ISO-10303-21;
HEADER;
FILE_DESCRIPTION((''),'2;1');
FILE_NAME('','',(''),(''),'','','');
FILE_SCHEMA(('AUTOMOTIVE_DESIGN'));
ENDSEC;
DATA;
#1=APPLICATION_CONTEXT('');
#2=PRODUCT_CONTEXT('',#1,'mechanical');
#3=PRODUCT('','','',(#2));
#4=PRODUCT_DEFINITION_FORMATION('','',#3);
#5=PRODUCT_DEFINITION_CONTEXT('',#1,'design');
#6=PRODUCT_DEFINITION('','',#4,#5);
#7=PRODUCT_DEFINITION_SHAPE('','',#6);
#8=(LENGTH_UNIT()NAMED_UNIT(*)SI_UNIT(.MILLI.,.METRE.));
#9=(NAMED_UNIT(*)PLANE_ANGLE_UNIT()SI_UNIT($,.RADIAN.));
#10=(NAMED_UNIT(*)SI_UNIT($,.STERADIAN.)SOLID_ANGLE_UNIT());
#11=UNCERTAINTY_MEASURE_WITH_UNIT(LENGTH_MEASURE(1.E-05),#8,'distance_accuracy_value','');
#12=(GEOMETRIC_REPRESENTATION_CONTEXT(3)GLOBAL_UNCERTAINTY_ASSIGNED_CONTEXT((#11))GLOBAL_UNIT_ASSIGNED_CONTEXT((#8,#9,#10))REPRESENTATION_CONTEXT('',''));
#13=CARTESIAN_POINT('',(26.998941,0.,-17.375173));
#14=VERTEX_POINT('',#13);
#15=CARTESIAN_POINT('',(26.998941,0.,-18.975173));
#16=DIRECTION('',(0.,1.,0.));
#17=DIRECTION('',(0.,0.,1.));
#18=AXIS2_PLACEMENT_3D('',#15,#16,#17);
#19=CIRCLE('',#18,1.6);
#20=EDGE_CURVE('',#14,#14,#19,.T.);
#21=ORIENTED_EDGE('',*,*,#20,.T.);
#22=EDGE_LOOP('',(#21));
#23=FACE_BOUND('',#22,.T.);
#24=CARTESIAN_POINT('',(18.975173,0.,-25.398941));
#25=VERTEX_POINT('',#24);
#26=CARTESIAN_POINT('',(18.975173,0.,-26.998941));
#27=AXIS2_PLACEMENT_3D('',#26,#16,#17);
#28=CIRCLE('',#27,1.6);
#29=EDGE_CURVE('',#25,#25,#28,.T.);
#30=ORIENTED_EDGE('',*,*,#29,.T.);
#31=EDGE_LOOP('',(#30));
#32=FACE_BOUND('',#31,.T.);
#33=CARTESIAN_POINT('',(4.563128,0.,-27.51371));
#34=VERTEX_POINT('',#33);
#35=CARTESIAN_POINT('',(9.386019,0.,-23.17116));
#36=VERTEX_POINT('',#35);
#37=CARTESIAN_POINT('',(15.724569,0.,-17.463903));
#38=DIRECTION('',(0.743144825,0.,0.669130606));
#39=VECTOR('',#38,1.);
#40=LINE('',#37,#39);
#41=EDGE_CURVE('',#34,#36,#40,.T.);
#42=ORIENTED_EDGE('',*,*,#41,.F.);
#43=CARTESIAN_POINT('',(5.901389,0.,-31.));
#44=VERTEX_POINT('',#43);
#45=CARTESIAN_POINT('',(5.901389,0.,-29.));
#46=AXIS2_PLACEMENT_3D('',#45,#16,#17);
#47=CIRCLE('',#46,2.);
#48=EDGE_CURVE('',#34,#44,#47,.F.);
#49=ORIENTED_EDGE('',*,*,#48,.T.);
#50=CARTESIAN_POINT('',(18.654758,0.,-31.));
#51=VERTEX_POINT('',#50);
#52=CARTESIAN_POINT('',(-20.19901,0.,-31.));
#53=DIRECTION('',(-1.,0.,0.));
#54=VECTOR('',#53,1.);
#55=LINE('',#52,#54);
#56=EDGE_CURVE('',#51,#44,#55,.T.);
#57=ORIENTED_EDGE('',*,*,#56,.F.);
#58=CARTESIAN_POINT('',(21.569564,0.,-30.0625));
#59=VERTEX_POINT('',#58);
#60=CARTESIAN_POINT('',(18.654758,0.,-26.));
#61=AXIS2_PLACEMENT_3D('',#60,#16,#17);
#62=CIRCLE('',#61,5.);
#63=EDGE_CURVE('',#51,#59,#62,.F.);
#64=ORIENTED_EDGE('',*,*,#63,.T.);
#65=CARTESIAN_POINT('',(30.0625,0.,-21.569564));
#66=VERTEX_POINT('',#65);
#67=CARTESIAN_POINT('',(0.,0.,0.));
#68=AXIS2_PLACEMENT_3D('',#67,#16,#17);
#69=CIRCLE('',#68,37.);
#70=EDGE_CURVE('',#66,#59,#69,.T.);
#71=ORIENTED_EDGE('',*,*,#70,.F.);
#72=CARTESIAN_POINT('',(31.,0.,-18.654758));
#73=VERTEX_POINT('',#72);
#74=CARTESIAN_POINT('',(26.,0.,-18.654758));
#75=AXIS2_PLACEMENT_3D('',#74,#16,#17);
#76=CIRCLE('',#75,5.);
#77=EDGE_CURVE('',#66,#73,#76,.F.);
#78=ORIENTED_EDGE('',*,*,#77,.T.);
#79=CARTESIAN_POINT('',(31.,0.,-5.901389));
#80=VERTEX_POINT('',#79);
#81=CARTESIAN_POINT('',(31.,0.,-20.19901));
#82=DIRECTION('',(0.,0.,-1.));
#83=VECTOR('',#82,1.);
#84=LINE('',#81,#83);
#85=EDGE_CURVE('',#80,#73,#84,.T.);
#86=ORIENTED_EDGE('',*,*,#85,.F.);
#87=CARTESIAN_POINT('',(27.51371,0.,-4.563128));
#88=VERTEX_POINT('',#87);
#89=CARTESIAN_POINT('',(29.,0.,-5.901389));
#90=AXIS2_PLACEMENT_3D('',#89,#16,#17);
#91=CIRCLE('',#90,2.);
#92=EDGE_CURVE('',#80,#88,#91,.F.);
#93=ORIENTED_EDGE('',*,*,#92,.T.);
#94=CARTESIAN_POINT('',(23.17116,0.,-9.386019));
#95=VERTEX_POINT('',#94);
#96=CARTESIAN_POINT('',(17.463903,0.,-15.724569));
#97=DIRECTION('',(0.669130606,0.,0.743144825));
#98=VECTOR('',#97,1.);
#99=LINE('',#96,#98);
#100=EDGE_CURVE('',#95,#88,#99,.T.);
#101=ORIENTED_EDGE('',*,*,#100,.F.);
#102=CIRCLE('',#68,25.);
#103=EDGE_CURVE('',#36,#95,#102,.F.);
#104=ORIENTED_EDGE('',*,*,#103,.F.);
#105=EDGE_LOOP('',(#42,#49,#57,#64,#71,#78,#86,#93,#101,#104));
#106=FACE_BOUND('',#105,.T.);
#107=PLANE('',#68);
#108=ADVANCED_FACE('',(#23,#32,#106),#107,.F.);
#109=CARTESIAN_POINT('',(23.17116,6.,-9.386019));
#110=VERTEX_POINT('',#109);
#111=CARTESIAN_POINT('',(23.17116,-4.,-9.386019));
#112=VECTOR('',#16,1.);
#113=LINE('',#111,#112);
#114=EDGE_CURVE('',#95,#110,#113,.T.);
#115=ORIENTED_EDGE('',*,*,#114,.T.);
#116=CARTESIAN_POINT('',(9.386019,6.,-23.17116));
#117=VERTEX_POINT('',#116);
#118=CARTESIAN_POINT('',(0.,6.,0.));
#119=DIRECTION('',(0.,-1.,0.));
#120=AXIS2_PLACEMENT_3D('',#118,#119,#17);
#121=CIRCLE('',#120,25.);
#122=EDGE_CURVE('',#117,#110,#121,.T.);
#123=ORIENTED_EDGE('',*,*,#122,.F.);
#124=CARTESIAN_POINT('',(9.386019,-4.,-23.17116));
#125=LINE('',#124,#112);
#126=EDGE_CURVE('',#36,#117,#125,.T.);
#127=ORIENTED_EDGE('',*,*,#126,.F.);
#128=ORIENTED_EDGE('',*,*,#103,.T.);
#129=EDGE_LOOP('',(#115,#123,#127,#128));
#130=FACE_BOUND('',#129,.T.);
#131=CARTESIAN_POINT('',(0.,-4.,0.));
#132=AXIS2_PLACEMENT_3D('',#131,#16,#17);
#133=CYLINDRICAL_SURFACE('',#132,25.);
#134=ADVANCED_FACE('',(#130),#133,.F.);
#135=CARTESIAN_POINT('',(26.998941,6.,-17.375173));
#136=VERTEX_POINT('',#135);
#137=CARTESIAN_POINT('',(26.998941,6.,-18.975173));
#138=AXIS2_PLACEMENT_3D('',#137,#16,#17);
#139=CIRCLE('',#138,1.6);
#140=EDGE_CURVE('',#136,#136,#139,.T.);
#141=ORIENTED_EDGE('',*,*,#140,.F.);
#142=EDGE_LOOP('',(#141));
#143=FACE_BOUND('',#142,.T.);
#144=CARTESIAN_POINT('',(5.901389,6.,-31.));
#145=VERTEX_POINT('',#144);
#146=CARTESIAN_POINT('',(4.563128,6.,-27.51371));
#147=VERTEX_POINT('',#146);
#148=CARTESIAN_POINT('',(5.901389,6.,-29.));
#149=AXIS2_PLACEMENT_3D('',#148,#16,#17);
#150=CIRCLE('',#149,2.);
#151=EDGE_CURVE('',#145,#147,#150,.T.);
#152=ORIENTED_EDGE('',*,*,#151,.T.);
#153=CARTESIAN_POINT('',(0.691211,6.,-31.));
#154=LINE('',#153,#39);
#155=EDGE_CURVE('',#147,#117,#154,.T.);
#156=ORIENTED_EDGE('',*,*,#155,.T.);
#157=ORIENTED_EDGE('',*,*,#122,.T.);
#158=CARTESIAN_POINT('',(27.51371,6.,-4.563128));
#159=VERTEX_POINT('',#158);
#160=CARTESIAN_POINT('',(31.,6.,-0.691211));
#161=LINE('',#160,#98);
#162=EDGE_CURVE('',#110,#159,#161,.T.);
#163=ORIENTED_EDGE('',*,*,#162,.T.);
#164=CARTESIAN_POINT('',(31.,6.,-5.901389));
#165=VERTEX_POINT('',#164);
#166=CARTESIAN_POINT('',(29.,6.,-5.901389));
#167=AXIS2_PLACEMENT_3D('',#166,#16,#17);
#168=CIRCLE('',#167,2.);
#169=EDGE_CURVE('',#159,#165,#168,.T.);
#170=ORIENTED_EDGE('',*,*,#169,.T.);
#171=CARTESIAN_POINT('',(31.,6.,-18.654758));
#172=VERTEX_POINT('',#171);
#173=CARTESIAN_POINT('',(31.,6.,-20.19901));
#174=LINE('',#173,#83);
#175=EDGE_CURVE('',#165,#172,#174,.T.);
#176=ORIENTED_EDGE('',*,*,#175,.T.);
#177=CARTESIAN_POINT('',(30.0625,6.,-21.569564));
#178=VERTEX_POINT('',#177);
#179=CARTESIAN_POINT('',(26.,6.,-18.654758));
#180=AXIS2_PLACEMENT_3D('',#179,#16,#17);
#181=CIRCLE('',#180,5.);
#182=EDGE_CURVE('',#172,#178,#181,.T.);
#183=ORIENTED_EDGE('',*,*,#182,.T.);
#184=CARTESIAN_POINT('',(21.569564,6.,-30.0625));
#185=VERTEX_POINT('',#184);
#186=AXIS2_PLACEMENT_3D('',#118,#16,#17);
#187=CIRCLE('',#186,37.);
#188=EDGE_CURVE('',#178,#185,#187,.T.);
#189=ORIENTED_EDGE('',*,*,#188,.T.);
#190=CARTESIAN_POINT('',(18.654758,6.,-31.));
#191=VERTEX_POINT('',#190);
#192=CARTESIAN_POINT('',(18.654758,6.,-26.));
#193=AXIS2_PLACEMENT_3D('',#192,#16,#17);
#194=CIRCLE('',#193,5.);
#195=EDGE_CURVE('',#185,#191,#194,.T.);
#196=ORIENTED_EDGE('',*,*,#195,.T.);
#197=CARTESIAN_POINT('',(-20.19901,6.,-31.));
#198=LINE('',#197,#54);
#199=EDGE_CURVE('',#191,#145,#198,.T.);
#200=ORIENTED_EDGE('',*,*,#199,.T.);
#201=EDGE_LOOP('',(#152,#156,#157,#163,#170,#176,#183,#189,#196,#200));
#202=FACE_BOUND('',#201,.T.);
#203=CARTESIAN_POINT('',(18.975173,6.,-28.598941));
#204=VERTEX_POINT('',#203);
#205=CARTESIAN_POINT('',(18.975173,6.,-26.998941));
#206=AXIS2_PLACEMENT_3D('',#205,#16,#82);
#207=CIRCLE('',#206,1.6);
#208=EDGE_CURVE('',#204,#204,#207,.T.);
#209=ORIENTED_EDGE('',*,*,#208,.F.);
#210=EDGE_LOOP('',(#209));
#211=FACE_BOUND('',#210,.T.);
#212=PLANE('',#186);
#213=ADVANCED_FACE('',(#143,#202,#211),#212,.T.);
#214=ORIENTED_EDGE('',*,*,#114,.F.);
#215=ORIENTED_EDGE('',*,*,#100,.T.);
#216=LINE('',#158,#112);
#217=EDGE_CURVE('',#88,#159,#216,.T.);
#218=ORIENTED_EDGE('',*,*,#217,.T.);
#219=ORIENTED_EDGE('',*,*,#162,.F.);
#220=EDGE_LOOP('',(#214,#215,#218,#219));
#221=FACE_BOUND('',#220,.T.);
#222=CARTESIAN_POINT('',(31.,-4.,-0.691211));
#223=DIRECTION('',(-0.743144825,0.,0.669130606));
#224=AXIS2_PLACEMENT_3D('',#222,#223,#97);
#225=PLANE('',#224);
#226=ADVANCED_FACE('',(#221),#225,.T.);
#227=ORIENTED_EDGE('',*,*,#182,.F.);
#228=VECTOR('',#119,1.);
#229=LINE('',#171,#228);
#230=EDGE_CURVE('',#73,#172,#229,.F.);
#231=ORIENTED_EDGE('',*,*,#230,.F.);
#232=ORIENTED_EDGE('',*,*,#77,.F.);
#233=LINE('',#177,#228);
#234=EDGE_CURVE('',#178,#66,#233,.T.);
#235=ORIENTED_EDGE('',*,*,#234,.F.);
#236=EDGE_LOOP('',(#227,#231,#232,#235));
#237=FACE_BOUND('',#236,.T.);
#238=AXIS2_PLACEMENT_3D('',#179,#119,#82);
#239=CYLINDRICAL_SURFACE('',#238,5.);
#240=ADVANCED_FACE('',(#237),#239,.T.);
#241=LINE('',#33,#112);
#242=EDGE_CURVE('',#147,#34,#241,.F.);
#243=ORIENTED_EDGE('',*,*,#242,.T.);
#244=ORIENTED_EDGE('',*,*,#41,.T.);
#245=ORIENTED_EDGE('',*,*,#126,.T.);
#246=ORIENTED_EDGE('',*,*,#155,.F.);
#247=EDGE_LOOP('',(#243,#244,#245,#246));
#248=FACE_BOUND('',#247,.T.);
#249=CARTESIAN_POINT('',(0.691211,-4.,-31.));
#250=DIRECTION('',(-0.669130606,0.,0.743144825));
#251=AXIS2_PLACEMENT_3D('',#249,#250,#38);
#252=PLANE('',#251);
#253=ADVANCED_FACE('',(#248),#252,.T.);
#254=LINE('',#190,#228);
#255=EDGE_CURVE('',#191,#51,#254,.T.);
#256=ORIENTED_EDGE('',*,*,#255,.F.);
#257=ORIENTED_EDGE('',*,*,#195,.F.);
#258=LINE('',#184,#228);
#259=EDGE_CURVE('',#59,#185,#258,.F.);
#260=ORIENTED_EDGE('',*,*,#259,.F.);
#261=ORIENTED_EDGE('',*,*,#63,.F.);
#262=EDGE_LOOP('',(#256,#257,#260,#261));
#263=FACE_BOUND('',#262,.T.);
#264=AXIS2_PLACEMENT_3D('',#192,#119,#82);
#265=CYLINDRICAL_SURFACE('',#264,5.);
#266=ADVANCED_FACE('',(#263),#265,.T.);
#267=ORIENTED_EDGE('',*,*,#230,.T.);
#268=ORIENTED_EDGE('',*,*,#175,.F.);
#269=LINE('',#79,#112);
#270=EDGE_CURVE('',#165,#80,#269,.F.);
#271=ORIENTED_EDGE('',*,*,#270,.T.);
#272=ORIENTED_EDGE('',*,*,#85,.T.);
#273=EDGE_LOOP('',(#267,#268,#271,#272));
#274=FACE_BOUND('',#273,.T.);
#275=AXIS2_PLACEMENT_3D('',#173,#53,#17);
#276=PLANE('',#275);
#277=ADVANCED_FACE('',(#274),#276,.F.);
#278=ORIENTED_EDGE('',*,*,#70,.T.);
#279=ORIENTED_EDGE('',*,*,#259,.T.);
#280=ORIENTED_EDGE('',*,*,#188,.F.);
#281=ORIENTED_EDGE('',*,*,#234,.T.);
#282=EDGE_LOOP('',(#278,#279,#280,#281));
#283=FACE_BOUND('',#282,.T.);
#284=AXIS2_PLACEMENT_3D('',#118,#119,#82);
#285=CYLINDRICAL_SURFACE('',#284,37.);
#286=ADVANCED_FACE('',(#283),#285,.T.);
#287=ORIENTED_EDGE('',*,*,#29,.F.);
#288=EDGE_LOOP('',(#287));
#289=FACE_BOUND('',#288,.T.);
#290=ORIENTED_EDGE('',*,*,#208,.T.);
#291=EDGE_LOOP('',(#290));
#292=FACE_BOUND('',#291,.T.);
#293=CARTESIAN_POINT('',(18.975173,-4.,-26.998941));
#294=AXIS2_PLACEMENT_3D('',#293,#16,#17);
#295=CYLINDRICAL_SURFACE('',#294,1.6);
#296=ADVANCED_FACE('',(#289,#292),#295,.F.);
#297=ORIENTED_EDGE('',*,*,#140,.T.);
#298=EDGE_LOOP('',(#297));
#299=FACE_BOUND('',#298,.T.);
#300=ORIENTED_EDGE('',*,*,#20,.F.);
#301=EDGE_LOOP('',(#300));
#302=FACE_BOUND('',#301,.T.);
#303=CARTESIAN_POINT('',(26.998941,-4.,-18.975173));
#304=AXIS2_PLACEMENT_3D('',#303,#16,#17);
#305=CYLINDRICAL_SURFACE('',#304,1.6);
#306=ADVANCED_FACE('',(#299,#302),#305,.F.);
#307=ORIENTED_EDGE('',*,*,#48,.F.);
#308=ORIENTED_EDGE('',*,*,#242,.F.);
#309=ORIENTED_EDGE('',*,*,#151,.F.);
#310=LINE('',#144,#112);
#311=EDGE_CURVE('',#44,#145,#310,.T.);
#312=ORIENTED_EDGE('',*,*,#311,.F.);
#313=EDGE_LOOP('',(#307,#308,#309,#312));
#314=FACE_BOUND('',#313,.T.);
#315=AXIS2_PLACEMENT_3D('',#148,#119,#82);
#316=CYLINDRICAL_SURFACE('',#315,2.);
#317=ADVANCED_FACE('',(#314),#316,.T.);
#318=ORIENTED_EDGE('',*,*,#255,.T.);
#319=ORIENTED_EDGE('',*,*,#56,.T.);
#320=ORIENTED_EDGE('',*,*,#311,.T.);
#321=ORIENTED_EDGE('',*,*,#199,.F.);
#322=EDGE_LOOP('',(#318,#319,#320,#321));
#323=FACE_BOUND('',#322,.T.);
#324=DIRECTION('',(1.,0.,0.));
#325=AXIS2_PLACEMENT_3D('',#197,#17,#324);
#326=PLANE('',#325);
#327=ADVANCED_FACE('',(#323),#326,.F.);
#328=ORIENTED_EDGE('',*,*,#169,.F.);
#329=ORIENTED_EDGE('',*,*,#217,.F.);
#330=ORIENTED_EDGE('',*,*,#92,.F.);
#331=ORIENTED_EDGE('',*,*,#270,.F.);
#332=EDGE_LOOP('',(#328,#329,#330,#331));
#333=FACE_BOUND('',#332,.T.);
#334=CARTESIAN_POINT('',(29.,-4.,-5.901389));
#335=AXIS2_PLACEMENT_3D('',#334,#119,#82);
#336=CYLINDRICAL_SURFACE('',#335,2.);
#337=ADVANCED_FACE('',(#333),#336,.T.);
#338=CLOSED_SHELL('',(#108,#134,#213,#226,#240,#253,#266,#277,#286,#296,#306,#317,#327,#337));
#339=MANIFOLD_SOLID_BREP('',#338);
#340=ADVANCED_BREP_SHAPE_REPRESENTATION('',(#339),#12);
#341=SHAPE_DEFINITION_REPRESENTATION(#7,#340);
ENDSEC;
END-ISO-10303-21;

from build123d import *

# Parameters (mm, degrees)
EXTRUDE_1_DEPTH     = 6
SKETCH_2_R          = 1.6
CUT_EXTRUDE_1_DEPTH = 10
SKETCH_3_OUTSIDE_W  = 89.27
SKETCH_3_OUTSIDE_H  = 89.27
CUT_EXTRUDE_2_DEPTH = 10
FILLET_1_R          = 5
FILLET_2_R          = 2


with BuildPart() as part:
    # 草图1 → 凸台-拉伸1 (new body)
    with BuildSketch(Plane(origin=(0, 0, 0), x_dir=(1, 0, 0), z_dir=(0, 1, 0))):
        with BuildLine():
            Line((-20.199009877, 31), (20.199009877, 31))
            ThreePointArc((20.199009877, 31), (26.162950904, 26.162950904), (31, 20.199009877))
            Line((31, 20.199009877), (31, -20.199009877))
            ThreePointArc((31, -20.199009877), (-26.162950904, -26.162950904), (-20.199009877, 31))
        make_face()
    extrude(amount=EXTRUDE_1_DEPTH)

    # 草图2 → 切除-拉伸1 (cut)
    with BuildSketch(Plane(origin=(0, 6, 0), x_dir=(1, 0, 0), z_dir=(0, 1, 0))):
        with Locations(Location((26.998940675, 18.975173317, 0), (0, 0, 270))):
            Circle(SKETCH_2_R)
        with Locations(Location((18.975173317, 26.998940675, 0), (0, 0, 270))):
            Circle(SKETCH_2_R)
    extrude(amount=-CUT_EXTRUDE_1_DEPTH, mode=Mode.SUBTRACT)

    # 草图3 outside → 切除-拉伸2 (cut)
    with BuildSketch(Plane(origin=(0, 6, 0), x_dir=(1, 0, 0), z_dir=(0, 1, 0))):
        with Locations((-3, -3)):
            Rectangle(SKETCH_3_OUTSIDE_W, SKETCH_3_OUTSIDE_H)
        with BuildLine():
            Line((0.691210962, 31), (9.386018717, 23.171159933))
            ThreePointArc((9.386018717, 23.171159933), (17.67766953, 17.67766953), (23.171159933, 9.386018717))
            Line((23.171159933, 9.386018717), (31, 0.691210962))
            Line((31, 0.691210962), (31, 20.199009877))
            ThreePointArc((31, 20.199009877), (26.162950904, 26.162950904), (20.199009877, 31))
            Line((20.199009877, 31), (0.691210962, 31))
        make_face(mode=Mode.SUBTRACT)
    extrude(amount=-CUT_EXTRUDE_2_DEPTH, mode=Mode.SUBTRACT)

    # 圆角1
    fillet_1_edges = [part.edges().sort_by_distance(p)[0] for p in [
        (20.199009877, 3, -31),
        (31, 3, -20.199009877),
    ]]
    fillet(fillet_1_edges, radius=FILLET_1_R)

    # 圆角2
    fillet_2_edges = [part.edges().sort_by_distance(p)[0] for p in [
        (31, 3, -0.691210962),
        (0.691210962, 3, -31),
    ]]
    fillet(fillet_2_edges, radius=FILLET_2_R)


solid = part.part
